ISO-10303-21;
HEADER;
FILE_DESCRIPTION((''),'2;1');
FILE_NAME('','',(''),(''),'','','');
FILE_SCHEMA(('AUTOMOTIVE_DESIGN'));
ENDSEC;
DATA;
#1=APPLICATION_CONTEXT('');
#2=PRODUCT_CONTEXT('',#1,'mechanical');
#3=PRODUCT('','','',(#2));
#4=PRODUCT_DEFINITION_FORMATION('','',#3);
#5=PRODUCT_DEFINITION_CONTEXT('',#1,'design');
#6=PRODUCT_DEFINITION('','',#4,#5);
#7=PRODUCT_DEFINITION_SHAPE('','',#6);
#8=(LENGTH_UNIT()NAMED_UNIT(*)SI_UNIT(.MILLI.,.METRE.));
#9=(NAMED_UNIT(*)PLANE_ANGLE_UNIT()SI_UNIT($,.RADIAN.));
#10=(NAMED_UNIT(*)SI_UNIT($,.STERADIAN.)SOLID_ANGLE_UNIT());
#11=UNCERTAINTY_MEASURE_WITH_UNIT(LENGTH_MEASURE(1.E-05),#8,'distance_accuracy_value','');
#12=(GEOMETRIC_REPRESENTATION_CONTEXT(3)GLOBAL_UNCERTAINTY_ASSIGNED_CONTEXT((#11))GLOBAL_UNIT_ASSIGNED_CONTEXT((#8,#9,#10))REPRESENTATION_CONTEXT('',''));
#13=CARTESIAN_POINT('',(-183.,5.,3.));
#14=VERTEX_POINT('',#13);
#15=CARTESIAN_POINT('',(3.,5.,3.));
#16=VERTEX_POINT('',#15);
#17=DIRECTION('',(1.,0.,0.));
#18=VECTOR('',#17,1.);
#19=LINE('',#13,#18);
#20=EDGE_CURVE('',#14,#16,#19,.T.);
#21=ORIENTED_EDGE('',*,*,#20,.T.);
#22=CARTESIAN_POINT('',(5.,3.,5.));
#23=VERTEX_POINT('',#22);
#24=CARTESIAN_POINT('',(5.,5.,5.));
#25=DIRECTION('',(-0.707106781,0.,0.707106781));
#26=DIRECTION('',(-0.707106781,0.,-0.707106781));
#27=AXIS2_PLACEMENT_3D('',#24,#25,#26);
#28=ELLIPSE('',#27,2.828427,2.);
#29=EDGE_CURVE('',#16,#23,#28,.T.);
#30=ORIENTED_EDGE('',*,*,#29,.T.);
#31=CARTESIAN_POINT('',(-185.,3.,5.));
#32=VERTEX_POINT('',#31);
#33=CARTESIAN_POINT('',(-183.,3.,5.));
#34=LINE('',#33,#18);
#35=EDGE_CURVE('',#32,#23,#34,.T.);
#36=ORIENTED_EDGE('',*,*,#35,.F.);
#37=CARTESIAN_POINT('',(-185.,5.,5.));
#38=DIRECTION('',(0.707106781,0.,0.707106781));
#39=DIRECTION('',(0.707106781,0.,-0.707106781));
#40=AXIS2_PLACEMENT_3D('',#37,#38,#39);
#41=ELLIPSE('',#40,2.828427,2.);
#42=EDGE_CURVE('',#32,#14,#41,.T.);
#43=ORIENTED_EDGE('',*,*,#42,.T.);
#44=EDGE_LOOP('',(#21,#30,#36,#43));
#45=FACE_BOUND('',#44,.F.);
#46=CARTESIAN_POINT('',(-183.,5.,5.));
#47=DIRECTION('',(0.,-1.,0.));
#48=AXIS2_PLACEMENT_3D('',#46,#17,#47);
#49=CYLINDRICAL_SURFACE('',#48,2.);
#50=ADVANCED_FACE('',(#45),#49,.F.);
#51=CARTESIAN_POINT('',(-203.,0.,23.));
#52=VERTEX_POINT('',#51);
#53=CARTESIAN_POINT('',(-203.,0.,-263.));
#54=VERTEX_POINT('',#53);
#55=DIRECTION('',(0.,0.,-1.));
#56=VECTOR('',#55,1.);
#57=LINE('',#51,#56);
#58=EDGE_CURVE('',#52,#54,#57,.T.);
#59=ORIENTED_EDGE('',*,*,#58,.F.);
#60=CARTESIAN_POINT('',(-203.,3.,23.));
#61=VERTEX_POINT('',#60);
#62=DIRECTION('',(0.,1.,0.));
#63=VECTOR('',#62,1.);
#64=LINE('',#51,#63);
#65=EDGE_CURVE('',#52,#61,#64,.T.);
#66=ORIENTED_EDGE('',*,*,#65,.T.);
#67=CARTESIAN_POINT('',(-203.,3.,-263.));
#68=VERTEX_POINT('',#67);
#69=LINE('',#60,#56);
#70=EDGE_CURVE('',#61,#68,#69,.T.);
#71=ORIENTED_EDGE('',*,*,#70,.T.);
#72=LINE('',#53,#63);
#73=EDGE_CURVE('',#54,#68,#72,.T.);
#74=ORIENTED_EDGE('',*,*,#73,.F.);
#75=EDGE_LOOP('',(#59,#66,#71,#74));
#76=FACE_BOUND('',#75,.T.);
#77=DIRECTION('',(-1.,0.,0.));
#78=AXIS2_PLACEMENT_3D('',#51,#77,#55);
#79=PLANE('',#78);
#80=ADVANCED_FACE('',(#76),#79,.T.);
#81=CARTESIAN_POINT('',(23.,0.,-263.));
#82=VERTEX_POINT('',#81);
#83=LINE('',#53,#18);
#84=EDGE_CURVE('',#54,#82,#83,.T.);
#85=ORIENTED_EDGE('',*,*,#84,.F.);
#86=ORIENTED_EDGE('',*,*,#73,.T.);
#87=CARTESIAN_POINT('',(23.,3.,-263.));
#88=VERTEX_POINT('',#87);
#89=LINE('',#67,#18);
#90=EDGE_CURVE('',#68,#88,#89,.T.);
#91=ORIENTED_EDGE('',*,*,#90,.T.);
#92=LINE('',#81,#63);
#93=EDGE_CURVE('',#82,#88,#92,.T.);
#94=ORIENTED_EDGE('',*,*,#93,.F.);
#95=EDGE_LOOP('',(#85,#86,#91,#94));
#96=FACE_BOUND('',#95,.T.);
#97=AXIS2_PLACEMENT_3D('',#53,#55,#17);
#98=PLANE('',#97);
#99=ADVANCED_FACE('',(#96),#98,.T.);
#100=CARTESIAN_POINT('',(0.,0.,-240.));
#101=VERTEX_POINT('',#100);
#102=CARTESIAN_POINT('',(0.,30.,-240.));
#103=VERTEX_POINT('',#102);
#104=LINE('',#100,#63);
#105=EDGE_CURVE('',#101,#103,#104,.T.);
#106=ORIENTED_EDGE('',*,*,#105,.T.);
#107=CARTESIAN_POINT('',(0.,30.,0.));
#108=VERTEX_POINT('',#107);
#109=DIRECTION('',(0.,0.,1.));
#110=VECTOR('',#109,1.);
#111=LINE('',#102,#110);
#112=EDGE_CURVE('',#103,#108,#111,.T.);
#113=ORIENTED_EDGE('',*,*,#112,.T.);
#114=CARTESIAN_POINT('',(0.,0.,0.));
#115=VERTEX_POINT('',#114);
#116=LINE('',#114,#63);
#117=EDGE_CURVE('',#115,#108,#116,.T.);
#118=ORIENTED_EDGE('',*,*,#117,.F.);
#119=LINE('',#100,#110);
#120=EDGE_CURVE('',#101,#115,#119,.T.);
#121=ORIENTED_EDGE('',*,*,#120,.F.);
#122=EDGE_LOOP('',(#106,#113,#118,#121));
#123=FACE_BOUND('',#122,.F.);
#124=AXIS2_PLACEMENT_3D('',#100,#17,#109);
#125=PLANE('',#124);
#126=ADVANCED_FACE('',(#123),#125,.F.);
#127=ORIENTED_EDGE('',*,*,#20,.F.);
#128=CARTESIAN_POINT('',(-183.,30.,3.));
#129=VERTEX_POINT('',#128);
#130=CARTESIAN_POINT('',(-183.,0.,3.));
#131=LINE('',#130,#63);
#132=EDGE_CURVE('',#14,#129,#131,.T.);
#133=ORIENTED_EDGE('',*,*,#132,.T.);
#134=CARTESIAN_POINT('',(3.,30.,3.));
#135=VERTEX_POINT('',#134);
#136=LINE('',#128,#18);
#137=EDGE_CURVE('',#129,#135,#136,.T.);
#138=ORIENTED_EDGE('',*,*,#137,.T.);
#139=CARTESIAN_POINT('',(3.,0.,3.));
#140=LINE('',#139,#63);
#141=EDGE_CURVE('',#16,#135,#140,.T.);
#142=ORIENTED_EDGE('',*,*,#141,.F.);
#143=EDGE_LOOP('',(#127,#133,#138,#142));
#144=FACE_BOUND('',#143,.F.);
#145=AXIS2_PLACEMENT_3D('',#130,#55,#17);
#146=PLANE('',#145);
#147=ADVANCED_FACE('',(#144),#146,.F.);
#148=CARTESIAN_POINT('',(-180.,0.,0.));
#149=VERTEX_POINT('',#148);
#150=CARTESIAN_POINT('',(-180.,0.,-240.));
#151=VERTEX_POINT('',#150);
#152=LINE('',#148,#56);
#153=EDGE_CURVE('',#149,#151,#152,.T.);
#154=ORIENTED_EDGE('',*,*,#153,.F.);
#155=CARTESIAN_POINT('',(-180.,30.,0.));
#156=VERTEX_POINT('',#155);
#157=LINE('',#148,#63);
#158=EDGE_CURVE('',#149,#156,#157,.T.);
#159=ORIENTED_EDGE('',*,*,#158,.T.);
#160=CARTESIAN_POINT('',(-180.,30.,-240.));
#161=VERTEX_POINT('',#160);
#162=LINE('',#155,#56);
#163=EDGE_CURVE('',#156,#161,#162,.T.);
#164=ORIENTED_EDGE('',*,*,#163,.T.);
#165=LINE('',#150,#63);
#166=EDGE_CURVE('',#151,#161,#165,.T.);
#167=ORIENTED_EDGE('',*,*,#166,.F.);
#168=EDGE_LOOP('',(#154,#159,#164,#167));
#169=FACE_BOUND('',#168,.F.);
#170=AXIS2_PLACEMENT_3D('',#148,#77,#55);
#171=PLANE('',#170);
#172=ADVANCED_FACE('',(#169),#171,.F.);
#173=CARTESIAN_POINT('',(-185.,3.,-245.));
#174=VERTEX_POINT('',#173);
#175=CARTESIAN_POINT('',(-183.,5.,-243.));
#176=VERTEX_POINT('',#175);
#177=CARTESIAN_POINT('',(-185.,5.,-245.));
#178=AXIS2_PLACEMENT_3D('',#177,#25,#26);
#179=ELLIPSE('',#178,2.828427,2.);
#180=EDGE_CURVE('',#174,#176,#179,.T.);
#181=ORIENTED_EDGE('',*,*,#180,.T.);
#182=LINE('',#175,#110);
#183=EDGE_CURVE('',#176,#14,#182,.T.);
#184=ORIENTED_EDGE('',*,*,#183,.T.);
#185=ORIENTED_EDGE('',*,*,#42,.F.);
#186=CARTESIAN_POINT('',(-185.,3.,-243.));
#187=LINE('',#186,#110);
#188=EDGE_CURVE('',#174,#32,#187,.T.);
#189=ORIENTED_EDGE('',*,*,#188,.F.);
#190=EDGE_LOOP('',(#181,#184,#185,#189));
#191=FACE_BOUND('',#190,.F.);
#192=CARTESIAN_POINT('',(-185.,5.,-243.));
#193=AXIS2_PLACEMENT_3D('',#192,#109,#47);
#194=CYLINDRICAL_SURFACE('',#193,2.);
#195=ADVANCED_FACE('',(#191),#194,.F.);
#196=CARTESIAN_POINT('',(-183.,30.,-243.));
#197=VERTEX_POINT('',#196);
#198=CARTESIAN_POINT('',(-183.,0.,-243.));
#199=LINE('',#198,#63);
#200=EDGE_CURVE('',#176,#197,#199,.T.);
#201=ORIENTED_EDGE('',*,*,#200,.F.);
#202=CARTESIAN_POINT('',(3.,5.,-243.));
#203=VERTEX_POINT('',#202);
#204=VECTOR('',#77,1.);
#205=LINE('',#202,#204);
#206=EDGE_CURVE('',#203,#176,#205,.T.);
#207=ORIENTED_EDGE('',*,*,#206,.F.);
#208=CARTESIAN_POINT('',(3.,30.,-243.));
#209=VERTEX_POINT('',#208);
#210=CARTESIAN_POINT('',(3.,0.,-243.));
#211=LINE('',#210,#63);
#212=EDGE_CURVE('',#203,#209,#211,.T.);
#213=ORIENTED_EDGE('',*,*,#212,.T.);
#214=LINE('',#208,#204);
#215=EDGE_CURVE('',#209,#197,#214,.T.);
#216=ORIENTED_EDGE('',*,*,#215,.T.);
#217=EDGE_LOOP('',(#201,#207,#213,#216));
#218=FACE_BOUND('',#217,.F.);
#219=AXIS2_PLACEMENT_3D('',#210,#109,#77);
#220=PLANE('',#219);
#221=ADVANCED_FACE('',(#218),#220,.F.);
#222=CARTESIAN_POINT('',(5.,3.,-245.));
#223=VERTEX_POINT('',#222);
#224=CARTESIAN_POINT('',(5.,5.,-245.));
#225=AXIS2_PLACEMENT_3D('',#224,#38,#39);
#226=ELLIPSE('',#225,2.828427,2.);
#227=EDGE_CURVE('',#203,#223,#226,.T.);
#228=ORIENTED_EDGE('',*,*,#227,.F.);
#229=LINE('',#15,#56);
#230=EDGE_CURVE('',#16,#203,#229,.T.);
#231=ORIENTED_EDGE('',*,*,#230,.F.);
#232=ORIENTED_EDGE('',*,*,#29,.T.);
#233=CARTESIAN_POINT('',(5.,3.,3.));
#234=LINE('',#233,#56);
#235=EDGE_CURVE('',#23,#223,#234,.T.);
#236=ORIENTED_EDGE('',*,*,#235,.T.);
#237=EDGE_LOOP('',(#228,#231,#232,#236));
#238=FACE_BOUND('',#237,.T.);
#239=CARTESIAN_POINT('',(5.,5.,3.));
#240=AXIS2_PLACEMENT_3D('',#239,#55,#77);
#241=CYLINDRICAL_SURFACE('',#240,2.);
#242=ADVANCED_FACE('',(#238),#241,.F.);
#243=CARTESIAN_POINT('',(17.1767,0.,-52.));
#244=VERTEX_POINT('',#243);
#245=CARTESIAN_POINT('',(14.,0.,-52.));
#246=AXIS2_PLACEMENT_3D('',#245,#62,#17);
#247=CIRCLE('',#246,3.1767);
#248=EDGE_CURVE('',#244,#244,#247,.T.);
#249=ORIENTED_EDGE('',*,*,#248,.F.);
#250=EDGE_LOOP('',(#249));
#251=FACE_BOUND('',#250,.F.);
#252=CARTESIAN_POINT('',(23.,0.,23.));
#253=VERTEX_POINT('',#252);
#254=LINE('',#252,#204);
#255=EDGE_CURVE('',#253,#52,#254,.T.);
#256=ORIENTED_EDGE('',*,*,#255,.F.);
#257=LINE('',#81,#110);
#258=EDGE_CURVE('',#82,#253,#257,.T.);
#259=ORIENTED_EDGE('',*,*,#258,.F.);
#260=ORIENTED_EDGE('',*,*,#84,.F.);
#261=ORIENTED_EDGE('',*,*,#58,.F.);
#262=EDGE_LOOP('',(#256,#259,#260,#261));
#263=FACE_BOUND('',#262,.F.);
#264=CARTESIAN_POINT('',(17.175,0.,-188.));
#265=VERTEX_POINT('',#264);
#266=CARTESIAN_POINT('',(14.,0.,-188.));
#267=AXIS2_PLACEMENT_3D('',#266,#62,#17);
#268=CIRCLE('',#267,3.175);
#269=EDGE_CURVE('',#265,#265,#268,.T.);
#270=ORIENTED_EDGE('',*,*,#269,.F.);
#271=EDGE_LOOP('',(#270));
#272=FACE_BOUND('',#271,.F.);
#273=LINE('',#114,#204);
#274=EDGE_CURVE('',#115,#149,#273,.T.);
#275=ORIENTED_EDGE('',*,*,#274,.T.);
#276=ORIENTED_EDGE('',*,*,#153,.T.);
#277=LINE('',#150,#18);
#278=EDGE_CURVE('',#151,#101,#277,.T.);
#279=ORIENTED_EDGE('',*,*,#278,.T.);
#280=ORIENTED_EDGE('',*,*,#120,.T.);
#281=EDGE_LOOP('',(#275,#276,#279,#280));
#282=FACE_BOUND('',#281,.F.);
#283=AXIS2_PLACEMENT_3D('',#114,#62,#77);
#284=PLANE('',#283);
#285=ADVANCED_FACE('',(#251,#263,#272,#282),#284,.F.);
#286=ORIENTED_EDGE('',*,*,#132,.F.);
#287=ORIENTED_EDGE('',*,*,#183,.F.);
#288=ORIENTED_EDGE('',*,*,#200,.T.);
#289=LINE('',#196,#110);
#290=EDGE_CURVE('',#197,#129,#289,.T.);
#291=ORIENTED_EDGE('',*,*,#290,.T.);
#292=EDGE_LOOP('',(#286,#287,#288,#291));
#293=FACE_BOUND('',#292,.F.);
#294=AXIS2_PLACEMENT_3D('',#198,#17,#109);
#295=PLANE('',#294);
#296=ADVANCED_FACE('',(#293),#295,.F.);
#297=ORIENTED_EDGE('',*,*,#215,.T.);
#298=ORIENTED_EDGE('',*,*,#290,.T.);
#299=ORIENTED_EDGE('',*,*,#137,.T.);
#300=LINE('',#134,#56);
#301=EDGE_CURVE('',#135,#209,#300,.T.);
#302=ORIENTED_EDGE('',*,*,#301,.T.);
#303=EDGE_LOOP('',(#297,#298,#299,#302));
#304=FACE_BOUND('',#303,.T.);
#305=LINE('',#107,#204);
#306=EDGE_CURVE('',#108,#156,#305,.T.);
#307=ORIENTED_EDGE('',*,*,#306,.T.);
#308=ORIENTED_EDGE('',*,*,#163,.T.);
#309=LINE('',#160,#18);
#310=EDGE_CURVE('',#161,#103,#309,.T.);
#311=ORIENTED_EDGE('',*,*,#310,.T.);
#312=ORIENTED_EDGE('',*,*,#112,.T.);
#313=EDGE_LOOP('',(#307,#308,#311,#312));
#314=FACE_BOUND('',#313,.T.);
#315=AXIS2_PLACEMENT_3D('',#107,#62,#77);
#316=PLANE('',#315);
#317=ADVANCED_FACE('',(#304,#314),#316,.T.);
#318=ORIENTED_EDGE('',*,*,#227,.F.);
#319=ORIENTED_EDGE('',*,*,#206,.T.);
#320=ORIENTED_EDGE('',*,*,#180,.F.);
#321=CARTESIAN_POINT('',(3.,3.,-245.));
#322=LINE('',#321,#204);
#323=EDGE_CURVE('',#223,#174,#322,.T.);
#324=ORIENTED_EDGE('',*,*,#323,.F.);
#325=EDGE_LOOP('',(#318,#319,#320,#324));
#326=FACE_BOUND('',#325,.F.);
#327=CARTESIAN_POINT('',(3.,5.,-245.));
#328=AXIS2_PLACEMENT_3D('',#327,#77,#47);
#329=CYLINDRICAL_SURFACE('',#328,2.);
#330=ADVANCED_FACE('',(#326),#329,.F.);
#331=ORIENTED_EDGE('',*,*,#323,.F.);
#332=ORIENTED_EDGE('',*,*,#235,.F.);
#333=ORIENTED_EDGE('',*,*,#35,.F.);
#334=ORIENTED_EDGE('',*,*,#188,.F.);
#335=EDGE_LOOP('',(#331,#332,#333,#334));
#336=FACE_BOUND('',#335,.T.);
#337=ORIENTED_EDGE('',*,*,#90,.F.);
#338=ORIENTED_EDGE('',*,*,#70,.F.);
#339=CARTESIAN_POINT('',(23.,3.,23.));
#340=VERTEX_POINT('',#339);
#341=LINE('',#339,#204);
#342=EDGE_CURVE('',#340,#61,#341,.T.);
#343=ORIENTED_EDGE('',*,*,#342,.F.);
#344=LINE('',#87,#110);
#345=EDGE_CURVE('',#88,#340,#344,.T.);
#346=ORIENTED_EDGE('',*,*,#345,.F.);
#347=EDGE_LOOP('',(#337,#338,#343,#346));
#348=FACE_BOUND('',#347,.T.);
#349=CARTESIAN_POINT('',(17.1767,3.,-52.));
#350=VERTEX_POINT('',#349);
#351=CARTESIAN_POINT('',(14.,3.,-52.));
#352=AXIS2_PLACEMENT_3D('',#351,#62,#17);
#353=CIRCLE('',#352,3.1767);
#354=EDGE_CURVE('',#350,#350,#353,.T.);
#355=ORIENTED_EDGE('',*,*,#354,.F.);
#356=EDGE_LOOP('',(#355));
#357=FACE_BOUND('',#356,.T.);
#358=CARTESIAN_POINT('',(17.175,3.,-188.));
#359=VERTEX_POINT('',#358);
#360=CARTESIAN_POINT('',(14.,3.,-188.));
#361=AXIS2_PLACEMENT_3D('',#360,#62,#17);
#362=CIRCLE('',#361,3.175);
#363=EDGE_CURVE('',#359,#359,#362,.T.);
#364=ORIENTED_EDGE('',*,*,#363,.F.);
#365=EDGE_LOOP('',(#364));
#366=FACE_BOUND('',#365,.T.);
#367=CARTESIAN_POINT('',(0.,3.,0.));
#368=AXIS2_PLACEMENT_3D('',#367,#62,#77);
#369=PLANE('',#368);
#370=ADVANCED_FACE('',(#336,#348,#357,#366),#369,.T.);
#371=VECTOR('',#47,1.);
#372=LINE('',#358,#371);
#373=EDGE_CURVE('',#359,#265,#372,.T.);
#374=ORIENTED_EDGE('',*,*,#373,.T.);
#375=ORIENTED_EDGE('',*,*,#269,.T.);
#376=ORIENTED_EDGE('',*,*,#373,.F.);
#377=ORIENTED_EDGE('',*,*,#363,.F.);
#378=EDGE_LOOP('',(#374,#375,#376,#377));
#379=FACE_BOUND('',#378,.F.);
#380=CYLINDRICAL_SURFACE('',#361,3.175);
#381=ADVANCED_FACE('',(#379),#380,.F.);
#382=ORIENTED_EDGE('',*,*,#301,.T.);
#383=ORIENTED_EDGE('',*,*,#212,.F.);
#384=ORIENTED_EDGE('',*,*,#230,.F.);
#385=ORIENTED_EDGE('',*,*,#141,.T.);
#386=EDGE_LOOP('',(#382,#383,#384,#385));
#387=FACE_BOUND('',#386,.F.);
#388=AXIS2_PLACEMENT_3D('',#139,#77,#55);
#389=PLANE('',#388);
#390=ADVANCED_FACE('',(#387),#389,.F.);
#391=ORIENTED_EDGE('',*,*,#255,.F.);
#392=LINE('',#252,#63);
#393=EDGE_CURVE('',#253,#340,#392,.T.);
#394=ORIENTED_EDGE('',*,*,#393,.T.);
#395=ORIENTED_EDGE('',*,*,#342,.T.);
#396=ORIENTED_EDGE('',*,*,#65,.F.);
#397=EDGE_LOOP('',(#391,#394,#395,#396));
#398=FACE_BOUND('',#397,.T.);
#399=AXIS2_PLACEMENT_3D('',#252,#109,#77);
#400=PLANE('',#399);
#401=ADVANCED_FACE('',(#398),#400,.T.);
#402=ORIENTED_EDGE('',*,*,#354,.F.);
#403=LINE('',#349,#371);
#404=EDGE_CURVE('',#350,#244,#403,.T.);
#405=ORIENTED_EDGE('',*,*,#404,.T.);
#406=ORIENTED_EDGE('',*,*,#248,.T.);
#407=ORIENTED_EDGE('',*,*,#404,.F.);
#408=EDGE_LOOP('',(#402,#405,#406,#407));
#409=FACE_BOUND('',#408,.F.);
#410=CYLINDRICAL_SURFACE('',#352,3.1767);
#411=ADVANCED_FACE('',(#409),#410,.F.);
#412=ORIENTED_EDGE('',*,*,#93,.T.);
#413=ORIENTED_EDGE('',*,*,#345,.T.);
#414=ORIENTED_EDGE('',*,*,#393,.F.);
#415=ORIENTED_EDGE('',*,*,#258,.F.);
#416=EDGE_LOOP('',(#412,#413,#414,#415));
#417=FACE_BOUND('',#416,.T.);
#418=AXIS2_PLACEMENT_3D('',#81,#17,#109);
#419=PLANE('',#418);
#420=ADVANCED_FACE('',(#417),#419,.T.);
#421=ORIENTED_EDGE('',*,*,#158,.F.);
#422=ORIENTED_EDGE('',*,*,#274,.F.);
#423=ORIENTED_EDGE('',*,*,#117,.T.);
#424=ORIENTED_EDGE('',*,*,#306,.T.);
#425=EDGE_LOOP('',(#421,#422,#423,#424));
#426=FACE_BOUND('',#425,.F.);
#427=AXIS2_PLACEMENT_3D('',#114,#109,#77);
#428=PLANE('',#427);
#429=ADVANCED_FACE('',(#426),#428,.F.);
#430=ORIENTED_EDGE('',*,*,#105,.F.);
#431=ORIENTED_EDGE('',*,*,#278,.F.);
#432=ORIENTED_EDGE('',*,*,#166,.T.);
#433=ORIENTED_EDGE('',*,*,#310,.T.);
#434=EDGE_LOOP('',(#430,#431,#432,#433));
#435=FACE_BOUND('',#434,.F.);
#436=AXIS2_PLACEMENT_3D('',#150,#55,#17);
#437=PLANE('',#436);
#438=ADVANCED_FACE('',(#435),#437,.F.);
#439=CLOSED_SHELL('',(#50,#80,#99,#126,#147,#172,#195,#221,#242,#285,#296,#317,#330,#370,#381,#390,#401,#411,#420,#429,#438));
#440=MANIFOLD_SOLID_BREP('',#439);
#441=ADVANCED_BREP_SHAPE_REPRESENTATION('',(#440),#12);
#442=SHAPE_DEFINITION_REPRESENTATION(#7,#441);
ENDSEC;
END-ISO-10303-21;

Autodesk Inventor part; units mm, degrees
ref_plane "YZ Plane" through (0, 0, 0) normal (1, 0, 0) x (0, 1, 0)
ref_plane "XZ Plane" through (0, 0, 0) normal (0, 1, 0) x (-1, 0, 0)
ref_plane "XY Plane" through (0, 0, 0) normal (0, 0, 1) x (1, 0, 0)
sketch "Boceto1" plane through (0, 0, 0) normal (0, 1, 0) x (-1, 0, 0)
  line L0 (0, 0) -> (180, 0)
  line L1 (180, 0) -> (180, -240)
  line L2 (180, -240) -> (0, -240)
  line L3 (0, -240) -> (0, 0)
  line L4 (-3, -243) -> (183, -243)
  line L5 (183, -243) -> (183, 3)
  line L6 (183, 3) -> (-3, 3)
  line L7 (-3, 3) -> (-3, -243)
  line L8 (203, 23) -> (203, -263)
  line L9 (203, -263) -> (-23, -263)
  line L10 (-23, -263) -> (-23, 23)
  line L11 (-23, 23) -> (203, 23)
  dimension "d0" = 180
  dimension "d1" = 240
  dimension "d2" = 3
  dimension "d5" = 20
extrude "Extrusión2" add sketch "Boceto1" along normal blind 30 contours L7 L6 L5 L4
extrude "Extrusión3" add sketch "Boceto1" along normal blind 3 contours L8 L9 L10 L11
fillet "Empalme1" radius 2 4 edges at (3, 3, -120) (-90, 3, 3) (-90, 3, -243) (-183, 3, -120)
sketch "Boceto3" plane through (0, 3, 0) normal (0, 1, 0) x (1, 0, 0)
  line L0 (23, -23) -> (23, 263) projected
  line L1 (23, 263) -> (-203, 263) projected
  line L2 (-203, 263) -> (-203, -23) projected
  line L3 (-203, -23) -> (23, -23) projected
  line L4 (-185, -5) -> (5, -5) projected
  line L5 (-185, 245) -> (-185, -5) projected
  line L6 (5, 245) -> (-185, 245) projected
  line L7 (5, -5) -> (5, 245) projected
  line L8 (-203, 263) -> (-203, -23) projected
  line L9 (-203, -23) -> (-203, 2)
  line L10 (-185, 245) -> (-185, -5) projected
  line L11 (-203, 2) -> (-185, 2)
  line L12 (-185, 2) -> (-185, 52)
  line L13 (-185, 52) -> (-203, 52)
  line L14 (-203, 52) -> (-203, 2)
  line L15 (-183, 243) -> (-183, -3) projected
  line L16 (-203, 182) -> (-183, 182)
  line L17 (-183, 182) -> (-183, 232)
  line L18 (-183, 232) -> (-203, 232)
  line L19 (-203, 232) -> (-203, 182)
  line L20 (5, -5) -> (5, 245) projected
  line L21 (23, 207) -> (23, 232)
  line L22 (5, 232) -> (5, 207)
  circle A0 centre (14, 188) radius 3.175
  circle A1 centre (14, 52) radius 3.1767
  point P0 (0, 0)
  point P1 (-193, 182)
  point P2 (-185, 232)
  point P3 (-185, 182)
  dimension "d11" = 25
  dimension "d12" = 50
  dimension "d13" = 50
  dimension "d14" = 130
  dimension "d15" = 6.35
  dimension "d16" = 75
  dimension "d17" = 75
extrude "Extrusión5" cut sketch "Boceto3" against normal blind 3 contours A0 | A1
properties part number "Tapa Superior"
